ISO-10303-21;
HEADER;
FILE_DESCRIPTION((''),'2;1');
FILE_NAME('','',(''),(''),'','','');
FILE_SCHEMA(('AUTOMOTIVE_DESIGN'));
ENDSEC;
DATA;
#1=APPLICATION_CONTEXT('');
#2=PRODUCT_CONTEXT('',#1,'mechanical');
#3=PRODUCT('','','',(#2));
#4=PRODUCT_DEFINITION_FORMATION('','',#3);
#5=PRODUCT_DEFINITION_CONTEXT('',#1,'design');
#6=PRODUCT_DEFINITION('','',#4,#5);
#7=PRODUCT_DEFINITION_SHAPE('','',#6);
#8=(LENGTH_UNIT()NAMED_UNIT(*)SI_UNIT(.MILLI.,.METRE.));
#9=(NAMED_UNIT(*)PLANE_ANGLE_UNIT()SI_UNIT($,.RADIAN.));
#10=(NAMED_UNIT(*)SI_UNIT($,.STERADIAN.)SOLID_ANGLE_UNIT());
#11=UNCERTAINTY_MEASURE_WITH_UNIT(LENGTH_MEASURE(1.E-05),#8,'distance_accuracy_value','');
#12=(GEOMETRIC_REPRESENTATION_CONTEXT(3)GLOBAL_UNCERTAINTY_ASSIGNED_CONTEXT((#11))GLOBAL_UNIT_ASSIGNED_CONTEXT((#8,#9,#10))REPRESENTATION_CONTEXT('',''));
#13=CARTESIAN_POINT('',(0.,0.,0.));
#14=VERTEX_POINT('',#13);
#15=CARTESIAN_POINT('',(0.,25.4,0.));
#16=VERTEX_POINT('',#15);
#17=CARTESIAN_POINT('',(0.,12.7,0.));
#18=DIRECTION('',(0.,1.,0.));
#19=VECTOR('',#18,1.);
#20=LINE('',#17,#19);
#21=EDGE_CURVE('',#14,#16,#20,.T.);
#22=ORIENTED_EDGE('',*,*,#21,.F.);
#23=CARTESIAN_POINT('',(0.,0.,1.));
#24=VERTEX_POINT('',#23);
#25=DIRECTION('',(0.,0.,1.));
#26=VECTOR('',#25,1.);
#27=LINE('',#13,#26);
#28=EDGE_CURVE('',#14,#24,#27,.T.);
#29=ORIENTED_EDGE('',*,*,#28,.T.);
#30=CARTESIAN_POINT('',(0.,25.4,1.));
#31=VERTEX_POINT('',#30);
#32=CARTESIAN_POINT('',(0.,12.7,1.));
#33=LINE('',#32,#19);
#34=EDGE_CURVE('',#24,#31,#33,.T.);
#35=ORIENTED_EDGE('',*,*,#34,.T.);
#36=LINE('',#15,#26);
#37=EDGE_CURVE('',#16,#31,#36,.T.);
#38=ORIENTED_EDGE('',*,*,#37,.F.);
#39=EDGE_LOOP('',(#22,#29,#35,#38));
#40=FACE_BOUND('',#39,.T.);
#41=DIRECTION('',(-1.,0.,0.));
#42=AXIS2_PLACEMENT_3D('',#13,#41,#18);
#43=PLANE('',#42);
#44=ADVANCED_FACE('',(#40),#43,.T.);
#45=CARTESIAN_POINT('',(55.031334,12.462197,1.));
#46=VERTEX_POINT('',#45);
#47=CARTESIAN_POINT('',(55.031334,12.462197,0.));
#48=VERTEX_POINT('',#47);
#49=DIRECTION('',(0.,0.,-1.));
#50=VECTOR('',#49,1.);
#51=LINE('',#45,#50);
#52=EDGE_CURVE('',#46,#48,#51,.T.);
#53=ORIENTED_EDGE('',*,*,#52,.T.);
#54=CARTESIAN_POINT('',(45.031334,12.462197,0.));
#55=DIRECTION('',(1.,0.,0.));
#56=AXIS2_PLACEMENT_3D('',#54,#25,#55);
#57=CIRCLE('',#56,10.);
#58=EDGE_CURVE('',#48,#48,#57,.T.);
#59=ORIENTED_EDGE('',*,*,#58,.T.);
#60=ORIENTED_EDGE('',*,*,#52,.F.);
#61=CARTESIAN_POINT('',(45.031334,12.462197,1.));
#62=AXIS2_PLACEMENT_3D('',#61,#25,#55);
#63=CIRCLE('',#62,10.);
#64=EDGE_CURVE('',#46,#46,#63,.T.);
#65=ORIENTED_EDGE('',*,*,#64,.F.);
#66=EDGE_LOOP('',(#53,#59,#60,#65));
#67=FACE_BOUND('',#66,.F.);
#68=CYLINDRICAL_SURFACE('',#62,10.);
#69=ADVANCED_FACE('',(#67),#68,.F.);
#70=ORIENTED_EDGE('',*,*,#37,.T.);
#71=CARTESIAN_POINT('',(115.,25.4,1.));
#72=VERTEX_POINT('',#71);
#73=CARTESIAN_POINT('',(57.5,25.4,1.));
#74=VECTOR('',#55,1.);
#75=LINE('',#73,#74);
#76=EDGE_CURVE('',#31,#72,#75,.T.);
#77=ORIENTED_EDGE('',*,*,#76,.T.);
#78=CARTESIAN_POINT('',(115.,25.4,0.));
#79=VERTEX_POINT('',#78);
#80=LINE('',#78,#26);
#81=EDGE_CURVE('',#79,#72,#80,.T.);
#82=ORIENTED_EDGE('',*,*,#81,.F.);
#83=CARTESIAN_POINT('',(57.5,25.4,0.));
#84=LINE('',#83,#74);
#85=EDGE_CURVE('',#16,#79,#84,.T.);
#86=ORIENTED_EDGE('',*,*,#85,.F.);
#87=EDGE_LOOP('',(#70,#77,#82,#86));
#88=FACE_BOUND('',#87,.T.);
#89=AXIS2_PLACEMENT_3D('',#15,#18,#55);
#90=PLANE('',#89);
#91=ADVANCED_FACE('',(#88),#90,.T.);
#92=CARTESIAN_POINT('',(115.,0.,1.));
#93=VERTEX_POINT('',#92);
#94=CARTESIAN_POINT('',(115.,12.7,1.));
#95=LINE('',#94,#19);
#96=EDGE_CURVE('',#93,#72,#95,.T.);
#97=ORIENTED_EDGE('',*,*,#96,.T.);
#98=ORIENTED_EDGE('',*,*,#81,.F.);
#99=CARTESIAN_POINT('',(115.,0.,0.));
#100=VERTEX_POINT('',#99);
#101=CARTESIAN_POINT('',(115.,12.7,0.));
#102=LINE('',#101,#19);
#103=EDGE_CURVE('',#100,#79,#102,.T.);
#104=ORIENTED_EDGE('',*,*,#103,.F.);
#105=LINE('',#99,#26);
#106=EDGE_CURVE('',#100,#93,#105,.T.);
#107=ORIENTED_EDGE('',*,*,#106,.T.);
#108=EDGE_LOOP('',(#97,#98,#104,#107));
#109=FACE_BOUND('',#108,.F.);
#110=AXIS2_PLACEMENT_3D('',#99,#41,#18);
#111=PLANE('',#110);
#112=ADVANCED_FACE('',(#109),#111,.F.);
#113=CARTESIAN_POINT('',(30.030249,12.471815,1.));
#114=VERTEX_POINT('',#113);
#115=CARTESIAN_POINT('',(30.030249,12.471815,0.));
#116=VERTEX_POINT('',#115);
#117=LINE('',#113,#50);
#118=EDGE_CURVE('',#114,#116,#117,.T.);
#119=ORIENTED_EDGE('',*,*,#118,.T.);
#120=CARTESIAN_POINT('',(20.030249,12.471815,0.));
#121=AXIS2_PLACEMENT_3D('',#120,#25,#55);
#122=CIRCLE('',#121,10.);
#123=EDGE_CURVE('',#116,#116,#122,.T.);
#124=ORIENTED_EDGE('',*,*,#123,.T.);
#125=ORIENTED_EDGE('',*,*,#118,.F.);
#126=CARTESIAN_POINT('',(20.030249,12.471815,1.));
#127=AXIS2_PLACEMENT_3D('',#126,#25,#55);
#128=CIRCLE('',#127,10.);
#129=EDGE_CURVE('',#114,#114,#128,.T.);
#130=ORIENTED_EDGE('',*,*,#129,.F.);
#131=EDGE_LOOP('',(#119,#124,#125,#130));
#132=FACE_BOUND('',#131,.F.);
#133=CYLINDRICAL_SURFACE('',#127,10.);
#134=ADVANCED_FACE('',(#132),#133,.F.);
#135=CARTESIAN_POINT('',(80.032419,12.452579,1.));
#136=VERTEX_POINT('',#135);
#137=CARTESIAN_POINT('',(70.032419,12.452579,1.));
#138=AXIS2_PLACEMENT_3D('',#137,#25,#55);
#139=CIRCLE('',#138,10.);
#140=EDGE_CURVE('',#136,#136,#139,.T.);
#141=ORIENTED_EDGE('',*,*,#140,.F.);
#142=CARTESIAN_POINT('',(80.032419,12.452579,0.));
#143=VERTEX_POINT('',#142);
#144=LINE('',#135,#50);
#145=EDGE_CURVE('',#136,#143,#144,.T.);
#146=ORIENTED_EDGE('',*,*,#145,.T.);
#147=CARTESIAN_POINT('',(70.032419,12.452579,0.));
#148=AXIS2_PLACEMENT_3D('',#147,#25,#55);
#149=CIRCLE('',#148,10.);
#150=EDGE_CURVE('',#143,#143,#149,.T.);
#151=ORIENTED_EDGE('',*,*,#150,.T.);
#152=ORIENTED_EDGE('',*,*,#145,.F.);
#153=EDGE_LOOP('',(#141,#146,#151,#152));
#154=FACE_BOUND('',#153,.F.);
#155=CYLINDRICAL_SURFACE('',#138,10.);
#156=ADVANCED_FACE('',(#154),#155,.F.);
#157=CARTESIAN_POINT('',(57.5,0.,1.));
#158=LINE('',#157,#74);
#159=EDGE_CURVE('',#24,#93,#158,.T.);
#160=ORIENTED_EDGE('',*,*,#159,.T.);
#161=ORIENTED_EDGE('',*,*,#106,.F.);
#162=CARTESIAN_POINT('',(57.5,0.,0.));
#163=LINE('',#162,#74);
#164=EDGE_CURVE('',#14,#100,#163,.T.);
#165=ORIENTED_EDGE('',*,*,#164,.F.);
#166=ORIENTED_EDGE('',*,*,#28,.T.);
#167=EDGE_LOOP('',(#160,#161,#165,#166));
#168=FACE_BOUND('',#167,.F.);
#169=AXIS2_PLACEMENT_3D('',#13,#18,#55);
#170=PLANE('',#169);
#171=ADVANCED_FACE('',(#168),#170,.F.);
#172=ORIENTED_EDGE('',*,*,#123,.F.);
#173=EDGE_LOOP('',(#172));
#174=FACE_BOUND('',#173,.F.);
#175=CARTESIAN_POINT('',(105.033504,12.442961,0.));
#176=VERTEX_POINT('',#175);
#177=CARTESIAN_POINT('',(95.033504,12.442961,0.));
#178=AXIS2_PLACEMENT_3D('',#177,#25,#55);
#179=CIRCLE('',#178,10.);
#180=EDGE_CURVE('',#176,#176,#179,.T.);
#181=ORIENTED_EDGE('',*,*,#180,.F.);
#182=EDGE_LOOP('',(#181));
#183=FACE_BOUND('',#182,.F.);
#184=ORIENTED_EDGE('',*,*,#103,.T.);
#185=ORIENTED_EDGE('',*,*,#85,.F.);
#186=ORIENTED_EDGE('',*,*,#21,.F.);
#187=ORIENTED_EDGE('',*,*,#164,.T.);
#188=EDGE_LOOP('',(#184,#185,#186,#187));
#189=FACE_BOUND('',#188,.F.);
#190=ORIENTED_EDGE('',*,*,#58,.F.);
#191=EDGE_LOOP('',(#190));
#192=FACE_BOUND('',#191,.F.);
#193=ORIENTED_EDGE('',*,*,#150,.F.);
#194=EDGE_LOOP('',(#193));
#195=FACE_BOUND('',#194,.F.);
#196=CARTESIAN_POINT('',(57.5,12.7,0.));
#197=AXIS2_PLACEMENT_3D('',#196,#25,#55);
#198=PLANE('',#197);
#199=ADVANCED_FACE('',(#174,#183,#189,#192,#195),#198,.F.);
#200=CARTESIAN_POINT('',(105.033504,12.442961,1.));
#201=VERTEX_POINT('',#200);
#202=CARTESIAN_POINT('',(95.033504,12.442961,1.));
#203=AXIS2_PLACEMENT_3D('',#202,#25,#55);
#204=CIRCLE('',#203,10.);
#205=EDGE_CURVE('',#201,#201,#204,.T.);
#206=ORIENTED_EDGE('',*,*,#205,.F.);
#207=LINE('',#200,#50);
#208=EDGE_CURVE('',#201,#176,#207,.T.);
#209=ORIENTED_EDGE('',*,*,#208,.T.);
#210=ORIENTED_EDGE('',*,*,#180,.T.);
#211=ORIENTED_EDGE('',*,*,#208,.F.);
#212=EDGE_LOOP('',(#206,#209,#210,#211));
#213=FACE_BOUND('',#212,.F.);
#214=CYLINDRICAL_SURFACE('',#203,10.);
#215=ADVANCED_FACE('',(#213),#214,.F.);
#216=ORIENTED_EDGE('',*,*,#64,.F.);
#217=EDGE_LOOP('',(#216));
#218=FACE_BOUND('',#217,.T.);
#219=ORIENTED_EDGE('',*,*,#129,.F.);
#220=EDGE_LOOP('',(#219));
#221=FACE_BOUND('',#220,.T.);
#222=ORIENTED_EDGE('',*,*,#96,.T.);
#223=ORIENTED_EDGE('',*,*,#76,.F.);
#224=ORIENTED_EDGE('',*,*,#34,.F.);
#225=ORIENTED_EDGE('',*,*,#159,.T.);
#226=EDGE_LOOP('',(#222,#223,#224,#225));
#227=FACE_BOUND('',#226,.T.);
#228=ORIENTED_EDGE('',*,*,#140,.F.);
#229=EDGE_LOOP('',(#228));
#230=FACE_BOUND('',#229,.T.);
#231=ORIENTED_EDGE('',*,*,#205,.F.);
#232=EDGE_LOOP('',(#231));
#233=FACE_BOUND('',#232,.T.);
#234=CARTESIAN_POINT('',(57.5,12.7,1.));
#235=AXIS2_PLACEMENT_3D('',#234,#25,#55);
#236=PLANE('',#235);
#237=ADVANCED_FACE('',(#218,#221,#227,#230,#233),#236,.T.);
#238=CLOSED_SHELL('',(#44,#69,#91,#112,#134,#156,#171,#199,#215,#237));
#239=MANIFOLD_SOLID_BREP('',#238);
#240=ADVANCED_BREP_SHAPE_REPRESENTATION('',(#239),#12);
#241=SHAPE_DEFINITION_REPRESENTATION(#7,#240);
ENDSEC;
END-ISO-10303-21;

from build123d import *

# Parameters (mm, degrees)
BOX_W        = 115
BOX_H        = 25.4
BOX_DEPTH    = 1
SKETCH_R     = 10
POCKET_DEPTH = 5


with BuildPart() as part:
    # Box → Box (new body)
    with BuildSketch(Plane.XY):
        with Locations((57.5, 12.7)):
            Rectangle(BOX_W, BOX_H)
    extrude(amount=BOX_DEPTH)

    # Sketch (on Face6 of BaseFeature) → Pocket (cut)
    with BuildSketch(Plane.XY.offset(1)):
        with Locations((20.030249, 12.471815)):
            Circle(SKETCH_R)
        with Locations((45.031334, 12.462197)):
            Circle(SKETCH_R)
        with Locations((70.032419, 12.452579)):
            Circle(SKETCH_R)
        with Locations((95.033504, 12.442961)):
            Circle(SKETCH_R)
    extrude(amount=-POCKET_DEPTH, mode=Mode.SUBTRACT)


solid = part.part
